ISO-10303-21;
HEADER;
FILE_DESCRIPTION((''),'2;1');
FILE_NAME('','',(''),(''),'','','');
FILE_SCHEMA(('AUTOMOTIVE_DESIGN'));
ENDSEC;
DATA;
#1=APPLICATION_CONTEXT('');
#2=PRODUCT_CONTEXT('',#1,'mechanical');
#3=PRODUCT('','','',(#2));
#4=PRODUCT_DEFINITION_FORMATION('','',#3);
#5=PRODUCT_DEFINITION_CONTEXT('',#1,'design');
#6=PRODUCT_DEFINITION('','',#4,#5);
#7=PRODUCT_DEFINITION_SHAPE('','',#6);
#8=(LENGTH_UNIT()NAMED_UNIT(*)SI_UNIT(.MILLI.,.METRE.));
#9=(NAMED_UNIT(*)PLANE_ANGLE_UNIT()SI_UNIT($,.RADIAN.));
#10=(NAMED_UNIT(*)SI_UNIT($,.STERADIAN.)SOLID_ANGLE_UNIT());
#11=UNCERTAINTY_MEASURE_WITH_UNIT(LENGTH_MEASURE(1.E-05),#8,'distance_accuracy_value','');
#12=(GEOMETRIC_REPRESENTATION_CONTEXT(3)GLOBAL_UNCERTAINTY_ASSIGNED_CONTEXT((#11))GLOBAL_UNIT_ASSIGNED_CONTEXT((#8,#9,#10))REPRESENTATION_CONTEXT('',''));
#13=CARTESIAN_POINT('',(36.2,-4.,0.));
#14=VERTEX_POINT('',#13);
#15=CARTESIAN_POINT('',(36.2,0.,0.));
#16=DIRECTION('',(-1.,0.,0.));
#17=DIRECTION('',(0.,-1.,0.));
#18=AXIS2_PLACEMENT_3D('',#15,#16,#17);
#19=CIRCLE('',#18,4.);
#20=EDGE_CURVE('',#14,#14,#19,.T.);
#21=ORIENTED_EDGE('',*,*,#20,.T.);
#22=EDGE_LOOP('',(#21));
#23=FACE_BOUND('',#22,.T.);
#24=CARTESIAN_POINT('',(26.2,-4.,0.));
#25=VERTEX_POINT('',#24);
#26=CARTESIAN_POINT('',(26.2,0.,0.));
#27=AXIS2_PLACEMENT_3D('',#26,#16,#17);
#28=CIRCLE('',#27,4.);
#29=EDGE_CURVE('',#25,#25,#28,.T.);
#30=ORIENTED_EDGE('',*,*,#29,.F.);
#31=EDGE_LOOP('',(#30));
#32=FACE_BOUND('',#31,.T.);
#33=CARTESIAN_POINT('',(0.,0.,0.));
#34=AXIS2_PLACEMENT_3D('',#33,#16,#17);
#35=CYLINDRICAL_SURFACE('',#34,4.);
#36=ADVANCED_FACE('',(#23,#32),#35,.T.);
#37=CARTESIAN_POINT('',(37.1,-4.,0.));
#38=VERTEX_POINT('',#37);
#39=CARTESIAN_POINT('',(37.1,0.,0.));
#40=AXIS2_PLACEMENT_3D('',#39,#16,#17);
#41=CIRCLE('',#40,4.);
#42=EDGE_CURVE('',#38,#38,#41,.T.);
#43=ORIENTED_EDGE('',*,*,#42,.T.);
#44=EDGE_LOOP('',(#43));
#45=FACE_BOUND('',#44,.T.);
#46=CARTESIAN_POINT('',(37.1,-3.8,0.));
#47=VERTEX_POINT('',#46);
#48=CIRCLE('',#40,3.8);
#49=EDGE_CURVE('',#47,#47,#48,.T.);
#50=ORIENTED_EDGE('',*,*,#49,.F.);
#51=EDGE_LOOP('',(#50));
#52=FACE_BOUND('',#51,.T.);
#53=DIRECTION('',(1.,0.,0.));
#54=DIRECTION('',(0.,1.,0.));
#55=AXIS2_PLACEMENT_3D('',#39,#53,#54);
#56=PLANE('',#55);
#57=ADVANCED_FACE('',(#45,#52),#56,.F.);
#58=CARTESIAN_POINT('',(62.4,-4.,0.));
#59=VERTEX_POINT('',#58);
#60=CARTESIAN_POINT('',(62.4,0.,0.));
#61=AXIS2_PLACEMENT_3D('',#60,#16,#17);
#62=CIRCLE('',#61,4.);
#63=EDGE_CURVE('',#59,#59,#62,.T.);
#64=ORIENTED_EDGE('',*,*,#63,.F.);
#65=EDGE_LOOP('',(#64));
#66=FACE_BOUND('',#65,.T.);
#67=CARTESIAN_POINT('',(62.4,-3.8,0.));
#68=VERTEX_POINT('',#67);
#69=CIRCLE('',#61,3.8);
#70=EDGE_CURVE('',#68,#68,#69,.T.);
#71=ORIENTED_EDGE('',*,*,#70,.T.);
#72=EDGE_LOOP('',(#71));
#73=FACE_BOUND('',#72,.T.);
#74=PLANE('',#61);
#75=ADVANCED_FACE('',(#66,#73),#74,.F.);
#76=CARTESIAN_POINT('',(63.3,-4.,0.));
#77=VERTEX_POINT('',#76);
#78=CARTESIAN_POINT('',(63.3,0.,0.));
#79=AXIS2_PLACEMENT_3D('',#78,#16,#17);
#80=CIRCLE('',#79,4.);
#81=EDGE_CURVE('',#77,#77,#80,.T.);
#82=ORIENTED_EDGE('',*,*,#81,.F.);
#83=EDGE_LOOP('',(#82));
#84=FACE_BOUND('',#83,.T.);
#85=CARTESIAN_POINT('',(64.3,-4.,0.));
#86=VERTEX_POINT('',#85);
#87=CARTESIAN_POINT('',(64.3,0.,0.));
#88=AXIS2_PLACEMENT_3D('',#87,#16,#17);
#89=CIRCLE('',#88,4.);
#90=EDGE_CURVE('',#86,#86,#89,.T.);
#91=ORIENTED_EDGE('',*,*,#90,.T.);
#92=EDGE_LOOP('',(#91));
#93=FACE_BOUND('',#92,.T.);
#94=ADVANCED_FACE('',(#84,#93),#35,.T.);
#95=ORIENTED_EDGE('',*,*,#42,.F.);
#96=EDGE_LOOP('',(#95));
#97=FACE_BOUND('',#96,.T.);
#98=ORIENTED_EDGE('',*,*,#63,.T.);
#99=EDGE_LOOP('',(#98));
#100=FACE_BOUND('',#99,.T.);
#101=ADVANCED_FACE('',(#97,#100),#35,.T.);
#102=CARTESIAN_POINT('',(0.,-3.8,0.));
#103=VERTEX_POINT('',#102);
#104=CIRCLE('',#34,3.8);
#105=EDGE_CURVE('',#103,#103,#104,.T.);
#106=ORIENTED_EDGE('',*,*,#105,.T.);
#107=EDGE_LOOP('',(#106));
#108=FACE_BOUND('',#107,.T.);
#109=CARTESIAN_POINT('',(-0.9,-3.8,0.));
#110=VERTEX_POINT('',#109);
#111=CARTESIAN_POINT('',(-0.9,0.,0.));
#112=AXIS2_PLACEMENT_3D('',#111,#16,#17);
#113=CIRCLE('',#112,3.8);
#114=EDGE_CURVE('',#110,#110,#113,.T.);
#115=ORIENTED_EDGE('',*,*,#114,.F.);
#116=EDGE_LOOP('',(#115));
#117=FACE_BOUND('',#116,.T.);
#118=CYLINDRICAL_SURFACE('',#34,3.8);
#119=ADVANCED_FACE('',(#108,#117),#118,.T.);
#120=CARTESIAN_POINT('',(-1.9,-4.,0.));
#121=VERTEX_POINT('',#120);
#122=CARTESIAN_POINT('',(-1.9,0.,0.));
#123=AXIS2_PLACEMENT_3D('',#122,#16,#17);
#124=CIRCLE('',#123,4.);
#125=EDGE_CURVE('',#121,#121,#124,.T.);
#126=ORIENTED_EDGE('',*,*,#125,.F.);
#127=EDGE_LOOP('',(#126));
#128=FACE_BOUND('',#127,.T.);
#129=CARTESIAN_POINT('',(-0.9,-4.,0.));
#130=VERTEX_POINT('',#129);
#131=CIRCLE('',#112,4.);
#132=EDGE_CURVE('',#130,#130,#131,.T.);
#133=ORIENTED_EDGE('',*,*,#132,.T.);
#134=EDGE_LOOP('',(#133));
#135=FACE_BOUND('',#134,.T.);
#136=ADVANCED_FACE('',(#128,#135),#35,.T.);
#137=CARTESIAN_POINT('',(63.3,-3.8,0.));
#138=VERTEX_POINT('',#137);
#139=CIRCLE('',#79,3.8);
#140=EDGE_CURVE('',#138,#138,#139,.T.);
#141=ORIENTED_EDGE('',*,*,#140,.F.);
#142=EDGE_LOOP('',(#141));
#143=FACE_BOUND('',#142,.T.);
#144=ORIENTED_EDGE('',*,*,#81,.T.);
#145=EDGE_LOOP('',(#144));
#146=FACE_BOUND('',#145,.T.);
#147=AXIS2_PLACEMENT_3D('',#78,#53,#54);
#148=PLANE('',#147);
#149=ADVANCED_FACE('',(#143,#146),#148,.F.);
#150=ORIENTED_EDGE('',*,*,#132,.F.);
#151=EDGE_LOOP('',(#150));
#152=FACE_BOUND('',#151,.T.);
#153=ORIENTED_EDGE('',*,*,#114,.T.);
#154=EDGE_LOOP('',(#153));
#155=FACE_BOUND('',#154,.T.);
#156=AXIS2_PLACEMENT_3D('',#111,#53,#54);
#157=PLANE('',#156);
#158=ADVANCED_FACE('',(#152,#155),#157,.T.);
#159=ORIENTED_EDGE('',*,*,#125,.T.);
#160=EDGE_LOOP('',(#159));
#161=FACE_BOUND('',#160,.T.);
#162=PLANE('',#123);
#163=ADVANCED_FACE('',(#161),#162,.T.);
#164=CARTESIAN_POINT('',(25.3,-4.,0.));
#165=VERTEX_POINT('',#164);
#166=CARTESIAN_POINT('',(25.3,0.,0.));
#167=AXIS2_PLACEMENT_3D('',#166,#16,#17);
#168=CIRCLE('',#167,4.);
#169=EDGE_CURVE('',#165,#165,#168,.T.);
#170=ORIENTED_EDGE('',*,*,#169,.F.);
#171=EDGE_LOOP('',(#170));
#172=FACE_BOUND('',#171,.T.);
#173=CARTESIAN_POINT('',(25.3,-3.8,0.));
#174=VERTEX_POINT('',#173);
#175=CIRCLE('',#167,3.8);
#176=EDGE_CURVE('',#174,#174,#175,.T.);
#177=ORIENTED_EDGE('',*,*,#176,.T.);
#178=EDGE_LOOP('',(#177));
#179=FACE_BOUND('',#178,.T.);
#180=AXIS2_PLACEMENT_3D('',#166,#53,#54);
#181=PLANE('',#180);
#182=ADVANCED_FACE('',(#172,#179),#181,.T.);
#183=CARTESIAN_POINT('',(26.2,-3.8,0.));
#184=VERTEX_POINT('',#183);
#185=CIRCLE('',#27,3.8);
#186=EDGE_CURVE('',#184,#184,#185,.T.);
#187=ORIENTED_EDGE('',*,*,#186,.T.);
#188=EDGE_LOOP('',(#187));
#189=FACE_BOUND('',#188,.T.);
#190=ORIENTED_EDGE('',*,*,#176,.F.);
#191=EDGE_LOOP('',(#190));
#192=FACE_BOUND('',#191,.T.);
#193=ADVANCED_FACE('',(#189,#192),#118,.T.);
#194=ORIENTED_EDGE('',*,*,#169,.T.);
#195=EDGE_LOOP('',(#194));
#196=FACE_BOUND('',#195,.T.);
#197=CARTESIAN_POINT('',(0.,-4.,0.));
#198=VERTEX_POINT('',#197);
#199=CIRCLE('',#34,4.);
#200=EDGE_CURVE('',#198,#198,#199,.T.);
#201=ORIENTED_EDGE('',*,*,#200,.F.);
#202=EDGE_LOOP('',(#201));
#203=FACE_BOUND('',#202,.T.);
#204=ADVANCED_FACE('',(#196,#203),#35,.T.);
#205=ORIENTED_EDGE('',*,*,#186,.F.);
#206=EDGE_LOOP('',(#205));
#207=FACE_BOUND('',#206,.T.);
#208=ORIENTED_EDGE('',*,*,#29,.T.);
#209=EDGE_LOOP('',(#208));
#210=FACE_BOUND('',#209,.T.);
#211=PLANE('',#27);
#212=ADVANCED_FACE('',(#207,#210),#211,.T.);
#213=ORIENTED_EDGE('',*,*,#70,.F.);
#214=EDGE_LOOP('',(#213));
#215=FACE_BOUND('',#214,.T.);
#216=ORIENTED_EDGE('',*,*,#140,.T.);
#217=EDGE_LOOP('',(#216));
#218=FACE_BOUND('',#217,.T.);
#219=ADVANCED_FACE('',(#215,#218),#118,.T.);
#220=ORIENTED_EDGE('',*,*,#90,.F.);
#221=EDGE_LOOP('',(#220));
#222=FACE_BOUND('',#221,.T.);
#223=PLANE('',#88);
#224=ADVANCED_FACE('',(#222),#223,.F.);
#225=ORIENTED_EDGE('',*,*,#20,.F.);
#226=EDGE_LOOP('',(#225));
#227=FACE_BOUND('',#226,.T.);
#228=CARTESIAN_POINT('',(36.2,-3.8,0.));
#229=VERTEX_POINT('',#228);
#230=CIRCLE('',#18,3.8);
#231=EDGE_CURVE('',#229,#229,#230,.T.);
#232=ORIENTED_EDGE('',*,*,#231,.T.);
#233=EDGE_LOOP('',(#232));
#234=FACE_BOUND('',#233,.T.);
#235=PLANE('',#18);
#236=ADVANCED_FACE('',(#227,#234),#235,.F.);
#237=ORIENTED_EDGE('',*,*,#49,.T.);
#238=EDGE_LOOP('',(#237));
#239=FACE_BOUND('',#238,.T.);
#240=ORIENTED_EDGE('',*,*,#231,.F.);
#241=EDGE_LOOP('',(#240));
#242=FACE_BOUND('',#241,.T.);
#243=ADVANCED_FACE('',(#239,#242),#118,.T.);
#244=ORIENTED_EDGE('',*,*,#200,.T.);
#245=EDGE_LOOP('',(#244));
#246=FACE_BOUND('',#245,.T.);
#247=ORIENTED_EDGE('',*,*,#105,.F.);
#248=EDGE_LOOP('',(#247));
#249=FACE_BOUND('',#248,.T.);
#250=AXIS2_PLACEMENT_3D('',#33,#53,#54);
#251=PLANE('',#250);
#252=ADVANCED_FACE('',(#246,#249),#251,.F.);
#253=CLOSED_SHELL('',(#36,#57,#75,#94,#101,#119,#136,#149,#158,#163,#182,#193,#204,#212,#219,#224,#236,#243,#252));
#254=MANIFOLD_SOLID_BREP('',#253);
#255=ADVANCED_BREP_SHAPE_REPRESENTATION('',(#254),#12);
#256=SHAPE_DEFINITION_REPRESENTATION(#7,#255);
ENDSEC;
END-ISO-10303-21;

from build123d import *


with BuildPart() as part:
    # Sketch1 → Revolve1 (revolve)
    with BuildSketch(Plane.XY, mode=Mode.PRIVATE) as revolve1_sk:
        Polygon((0, 0), (64.3, 0), (64.3, 4), (63.3, 4), (63.3, 3.8), (62.4, 3.8), (62.4, 4), (37.1, 4), (37.1, 3.8), (36.2, 3.8), (36.2, 4), (26.2, 4), (26.2, 3.8), (25.3, 3.8), (25.3, 4), (0, 4), (0, 3.8), (-0.9, 3.8), (-0.9, 4), (-1.9, 4), (-1.9, 0), align=None)
    revolve(revolve1_sk.sketch.rotate(Axis((0, 0, 0), (1, 0, 0)), 180), axis=Axis((0, 0, 0), (1, 0, 0)))


solid = part.part
